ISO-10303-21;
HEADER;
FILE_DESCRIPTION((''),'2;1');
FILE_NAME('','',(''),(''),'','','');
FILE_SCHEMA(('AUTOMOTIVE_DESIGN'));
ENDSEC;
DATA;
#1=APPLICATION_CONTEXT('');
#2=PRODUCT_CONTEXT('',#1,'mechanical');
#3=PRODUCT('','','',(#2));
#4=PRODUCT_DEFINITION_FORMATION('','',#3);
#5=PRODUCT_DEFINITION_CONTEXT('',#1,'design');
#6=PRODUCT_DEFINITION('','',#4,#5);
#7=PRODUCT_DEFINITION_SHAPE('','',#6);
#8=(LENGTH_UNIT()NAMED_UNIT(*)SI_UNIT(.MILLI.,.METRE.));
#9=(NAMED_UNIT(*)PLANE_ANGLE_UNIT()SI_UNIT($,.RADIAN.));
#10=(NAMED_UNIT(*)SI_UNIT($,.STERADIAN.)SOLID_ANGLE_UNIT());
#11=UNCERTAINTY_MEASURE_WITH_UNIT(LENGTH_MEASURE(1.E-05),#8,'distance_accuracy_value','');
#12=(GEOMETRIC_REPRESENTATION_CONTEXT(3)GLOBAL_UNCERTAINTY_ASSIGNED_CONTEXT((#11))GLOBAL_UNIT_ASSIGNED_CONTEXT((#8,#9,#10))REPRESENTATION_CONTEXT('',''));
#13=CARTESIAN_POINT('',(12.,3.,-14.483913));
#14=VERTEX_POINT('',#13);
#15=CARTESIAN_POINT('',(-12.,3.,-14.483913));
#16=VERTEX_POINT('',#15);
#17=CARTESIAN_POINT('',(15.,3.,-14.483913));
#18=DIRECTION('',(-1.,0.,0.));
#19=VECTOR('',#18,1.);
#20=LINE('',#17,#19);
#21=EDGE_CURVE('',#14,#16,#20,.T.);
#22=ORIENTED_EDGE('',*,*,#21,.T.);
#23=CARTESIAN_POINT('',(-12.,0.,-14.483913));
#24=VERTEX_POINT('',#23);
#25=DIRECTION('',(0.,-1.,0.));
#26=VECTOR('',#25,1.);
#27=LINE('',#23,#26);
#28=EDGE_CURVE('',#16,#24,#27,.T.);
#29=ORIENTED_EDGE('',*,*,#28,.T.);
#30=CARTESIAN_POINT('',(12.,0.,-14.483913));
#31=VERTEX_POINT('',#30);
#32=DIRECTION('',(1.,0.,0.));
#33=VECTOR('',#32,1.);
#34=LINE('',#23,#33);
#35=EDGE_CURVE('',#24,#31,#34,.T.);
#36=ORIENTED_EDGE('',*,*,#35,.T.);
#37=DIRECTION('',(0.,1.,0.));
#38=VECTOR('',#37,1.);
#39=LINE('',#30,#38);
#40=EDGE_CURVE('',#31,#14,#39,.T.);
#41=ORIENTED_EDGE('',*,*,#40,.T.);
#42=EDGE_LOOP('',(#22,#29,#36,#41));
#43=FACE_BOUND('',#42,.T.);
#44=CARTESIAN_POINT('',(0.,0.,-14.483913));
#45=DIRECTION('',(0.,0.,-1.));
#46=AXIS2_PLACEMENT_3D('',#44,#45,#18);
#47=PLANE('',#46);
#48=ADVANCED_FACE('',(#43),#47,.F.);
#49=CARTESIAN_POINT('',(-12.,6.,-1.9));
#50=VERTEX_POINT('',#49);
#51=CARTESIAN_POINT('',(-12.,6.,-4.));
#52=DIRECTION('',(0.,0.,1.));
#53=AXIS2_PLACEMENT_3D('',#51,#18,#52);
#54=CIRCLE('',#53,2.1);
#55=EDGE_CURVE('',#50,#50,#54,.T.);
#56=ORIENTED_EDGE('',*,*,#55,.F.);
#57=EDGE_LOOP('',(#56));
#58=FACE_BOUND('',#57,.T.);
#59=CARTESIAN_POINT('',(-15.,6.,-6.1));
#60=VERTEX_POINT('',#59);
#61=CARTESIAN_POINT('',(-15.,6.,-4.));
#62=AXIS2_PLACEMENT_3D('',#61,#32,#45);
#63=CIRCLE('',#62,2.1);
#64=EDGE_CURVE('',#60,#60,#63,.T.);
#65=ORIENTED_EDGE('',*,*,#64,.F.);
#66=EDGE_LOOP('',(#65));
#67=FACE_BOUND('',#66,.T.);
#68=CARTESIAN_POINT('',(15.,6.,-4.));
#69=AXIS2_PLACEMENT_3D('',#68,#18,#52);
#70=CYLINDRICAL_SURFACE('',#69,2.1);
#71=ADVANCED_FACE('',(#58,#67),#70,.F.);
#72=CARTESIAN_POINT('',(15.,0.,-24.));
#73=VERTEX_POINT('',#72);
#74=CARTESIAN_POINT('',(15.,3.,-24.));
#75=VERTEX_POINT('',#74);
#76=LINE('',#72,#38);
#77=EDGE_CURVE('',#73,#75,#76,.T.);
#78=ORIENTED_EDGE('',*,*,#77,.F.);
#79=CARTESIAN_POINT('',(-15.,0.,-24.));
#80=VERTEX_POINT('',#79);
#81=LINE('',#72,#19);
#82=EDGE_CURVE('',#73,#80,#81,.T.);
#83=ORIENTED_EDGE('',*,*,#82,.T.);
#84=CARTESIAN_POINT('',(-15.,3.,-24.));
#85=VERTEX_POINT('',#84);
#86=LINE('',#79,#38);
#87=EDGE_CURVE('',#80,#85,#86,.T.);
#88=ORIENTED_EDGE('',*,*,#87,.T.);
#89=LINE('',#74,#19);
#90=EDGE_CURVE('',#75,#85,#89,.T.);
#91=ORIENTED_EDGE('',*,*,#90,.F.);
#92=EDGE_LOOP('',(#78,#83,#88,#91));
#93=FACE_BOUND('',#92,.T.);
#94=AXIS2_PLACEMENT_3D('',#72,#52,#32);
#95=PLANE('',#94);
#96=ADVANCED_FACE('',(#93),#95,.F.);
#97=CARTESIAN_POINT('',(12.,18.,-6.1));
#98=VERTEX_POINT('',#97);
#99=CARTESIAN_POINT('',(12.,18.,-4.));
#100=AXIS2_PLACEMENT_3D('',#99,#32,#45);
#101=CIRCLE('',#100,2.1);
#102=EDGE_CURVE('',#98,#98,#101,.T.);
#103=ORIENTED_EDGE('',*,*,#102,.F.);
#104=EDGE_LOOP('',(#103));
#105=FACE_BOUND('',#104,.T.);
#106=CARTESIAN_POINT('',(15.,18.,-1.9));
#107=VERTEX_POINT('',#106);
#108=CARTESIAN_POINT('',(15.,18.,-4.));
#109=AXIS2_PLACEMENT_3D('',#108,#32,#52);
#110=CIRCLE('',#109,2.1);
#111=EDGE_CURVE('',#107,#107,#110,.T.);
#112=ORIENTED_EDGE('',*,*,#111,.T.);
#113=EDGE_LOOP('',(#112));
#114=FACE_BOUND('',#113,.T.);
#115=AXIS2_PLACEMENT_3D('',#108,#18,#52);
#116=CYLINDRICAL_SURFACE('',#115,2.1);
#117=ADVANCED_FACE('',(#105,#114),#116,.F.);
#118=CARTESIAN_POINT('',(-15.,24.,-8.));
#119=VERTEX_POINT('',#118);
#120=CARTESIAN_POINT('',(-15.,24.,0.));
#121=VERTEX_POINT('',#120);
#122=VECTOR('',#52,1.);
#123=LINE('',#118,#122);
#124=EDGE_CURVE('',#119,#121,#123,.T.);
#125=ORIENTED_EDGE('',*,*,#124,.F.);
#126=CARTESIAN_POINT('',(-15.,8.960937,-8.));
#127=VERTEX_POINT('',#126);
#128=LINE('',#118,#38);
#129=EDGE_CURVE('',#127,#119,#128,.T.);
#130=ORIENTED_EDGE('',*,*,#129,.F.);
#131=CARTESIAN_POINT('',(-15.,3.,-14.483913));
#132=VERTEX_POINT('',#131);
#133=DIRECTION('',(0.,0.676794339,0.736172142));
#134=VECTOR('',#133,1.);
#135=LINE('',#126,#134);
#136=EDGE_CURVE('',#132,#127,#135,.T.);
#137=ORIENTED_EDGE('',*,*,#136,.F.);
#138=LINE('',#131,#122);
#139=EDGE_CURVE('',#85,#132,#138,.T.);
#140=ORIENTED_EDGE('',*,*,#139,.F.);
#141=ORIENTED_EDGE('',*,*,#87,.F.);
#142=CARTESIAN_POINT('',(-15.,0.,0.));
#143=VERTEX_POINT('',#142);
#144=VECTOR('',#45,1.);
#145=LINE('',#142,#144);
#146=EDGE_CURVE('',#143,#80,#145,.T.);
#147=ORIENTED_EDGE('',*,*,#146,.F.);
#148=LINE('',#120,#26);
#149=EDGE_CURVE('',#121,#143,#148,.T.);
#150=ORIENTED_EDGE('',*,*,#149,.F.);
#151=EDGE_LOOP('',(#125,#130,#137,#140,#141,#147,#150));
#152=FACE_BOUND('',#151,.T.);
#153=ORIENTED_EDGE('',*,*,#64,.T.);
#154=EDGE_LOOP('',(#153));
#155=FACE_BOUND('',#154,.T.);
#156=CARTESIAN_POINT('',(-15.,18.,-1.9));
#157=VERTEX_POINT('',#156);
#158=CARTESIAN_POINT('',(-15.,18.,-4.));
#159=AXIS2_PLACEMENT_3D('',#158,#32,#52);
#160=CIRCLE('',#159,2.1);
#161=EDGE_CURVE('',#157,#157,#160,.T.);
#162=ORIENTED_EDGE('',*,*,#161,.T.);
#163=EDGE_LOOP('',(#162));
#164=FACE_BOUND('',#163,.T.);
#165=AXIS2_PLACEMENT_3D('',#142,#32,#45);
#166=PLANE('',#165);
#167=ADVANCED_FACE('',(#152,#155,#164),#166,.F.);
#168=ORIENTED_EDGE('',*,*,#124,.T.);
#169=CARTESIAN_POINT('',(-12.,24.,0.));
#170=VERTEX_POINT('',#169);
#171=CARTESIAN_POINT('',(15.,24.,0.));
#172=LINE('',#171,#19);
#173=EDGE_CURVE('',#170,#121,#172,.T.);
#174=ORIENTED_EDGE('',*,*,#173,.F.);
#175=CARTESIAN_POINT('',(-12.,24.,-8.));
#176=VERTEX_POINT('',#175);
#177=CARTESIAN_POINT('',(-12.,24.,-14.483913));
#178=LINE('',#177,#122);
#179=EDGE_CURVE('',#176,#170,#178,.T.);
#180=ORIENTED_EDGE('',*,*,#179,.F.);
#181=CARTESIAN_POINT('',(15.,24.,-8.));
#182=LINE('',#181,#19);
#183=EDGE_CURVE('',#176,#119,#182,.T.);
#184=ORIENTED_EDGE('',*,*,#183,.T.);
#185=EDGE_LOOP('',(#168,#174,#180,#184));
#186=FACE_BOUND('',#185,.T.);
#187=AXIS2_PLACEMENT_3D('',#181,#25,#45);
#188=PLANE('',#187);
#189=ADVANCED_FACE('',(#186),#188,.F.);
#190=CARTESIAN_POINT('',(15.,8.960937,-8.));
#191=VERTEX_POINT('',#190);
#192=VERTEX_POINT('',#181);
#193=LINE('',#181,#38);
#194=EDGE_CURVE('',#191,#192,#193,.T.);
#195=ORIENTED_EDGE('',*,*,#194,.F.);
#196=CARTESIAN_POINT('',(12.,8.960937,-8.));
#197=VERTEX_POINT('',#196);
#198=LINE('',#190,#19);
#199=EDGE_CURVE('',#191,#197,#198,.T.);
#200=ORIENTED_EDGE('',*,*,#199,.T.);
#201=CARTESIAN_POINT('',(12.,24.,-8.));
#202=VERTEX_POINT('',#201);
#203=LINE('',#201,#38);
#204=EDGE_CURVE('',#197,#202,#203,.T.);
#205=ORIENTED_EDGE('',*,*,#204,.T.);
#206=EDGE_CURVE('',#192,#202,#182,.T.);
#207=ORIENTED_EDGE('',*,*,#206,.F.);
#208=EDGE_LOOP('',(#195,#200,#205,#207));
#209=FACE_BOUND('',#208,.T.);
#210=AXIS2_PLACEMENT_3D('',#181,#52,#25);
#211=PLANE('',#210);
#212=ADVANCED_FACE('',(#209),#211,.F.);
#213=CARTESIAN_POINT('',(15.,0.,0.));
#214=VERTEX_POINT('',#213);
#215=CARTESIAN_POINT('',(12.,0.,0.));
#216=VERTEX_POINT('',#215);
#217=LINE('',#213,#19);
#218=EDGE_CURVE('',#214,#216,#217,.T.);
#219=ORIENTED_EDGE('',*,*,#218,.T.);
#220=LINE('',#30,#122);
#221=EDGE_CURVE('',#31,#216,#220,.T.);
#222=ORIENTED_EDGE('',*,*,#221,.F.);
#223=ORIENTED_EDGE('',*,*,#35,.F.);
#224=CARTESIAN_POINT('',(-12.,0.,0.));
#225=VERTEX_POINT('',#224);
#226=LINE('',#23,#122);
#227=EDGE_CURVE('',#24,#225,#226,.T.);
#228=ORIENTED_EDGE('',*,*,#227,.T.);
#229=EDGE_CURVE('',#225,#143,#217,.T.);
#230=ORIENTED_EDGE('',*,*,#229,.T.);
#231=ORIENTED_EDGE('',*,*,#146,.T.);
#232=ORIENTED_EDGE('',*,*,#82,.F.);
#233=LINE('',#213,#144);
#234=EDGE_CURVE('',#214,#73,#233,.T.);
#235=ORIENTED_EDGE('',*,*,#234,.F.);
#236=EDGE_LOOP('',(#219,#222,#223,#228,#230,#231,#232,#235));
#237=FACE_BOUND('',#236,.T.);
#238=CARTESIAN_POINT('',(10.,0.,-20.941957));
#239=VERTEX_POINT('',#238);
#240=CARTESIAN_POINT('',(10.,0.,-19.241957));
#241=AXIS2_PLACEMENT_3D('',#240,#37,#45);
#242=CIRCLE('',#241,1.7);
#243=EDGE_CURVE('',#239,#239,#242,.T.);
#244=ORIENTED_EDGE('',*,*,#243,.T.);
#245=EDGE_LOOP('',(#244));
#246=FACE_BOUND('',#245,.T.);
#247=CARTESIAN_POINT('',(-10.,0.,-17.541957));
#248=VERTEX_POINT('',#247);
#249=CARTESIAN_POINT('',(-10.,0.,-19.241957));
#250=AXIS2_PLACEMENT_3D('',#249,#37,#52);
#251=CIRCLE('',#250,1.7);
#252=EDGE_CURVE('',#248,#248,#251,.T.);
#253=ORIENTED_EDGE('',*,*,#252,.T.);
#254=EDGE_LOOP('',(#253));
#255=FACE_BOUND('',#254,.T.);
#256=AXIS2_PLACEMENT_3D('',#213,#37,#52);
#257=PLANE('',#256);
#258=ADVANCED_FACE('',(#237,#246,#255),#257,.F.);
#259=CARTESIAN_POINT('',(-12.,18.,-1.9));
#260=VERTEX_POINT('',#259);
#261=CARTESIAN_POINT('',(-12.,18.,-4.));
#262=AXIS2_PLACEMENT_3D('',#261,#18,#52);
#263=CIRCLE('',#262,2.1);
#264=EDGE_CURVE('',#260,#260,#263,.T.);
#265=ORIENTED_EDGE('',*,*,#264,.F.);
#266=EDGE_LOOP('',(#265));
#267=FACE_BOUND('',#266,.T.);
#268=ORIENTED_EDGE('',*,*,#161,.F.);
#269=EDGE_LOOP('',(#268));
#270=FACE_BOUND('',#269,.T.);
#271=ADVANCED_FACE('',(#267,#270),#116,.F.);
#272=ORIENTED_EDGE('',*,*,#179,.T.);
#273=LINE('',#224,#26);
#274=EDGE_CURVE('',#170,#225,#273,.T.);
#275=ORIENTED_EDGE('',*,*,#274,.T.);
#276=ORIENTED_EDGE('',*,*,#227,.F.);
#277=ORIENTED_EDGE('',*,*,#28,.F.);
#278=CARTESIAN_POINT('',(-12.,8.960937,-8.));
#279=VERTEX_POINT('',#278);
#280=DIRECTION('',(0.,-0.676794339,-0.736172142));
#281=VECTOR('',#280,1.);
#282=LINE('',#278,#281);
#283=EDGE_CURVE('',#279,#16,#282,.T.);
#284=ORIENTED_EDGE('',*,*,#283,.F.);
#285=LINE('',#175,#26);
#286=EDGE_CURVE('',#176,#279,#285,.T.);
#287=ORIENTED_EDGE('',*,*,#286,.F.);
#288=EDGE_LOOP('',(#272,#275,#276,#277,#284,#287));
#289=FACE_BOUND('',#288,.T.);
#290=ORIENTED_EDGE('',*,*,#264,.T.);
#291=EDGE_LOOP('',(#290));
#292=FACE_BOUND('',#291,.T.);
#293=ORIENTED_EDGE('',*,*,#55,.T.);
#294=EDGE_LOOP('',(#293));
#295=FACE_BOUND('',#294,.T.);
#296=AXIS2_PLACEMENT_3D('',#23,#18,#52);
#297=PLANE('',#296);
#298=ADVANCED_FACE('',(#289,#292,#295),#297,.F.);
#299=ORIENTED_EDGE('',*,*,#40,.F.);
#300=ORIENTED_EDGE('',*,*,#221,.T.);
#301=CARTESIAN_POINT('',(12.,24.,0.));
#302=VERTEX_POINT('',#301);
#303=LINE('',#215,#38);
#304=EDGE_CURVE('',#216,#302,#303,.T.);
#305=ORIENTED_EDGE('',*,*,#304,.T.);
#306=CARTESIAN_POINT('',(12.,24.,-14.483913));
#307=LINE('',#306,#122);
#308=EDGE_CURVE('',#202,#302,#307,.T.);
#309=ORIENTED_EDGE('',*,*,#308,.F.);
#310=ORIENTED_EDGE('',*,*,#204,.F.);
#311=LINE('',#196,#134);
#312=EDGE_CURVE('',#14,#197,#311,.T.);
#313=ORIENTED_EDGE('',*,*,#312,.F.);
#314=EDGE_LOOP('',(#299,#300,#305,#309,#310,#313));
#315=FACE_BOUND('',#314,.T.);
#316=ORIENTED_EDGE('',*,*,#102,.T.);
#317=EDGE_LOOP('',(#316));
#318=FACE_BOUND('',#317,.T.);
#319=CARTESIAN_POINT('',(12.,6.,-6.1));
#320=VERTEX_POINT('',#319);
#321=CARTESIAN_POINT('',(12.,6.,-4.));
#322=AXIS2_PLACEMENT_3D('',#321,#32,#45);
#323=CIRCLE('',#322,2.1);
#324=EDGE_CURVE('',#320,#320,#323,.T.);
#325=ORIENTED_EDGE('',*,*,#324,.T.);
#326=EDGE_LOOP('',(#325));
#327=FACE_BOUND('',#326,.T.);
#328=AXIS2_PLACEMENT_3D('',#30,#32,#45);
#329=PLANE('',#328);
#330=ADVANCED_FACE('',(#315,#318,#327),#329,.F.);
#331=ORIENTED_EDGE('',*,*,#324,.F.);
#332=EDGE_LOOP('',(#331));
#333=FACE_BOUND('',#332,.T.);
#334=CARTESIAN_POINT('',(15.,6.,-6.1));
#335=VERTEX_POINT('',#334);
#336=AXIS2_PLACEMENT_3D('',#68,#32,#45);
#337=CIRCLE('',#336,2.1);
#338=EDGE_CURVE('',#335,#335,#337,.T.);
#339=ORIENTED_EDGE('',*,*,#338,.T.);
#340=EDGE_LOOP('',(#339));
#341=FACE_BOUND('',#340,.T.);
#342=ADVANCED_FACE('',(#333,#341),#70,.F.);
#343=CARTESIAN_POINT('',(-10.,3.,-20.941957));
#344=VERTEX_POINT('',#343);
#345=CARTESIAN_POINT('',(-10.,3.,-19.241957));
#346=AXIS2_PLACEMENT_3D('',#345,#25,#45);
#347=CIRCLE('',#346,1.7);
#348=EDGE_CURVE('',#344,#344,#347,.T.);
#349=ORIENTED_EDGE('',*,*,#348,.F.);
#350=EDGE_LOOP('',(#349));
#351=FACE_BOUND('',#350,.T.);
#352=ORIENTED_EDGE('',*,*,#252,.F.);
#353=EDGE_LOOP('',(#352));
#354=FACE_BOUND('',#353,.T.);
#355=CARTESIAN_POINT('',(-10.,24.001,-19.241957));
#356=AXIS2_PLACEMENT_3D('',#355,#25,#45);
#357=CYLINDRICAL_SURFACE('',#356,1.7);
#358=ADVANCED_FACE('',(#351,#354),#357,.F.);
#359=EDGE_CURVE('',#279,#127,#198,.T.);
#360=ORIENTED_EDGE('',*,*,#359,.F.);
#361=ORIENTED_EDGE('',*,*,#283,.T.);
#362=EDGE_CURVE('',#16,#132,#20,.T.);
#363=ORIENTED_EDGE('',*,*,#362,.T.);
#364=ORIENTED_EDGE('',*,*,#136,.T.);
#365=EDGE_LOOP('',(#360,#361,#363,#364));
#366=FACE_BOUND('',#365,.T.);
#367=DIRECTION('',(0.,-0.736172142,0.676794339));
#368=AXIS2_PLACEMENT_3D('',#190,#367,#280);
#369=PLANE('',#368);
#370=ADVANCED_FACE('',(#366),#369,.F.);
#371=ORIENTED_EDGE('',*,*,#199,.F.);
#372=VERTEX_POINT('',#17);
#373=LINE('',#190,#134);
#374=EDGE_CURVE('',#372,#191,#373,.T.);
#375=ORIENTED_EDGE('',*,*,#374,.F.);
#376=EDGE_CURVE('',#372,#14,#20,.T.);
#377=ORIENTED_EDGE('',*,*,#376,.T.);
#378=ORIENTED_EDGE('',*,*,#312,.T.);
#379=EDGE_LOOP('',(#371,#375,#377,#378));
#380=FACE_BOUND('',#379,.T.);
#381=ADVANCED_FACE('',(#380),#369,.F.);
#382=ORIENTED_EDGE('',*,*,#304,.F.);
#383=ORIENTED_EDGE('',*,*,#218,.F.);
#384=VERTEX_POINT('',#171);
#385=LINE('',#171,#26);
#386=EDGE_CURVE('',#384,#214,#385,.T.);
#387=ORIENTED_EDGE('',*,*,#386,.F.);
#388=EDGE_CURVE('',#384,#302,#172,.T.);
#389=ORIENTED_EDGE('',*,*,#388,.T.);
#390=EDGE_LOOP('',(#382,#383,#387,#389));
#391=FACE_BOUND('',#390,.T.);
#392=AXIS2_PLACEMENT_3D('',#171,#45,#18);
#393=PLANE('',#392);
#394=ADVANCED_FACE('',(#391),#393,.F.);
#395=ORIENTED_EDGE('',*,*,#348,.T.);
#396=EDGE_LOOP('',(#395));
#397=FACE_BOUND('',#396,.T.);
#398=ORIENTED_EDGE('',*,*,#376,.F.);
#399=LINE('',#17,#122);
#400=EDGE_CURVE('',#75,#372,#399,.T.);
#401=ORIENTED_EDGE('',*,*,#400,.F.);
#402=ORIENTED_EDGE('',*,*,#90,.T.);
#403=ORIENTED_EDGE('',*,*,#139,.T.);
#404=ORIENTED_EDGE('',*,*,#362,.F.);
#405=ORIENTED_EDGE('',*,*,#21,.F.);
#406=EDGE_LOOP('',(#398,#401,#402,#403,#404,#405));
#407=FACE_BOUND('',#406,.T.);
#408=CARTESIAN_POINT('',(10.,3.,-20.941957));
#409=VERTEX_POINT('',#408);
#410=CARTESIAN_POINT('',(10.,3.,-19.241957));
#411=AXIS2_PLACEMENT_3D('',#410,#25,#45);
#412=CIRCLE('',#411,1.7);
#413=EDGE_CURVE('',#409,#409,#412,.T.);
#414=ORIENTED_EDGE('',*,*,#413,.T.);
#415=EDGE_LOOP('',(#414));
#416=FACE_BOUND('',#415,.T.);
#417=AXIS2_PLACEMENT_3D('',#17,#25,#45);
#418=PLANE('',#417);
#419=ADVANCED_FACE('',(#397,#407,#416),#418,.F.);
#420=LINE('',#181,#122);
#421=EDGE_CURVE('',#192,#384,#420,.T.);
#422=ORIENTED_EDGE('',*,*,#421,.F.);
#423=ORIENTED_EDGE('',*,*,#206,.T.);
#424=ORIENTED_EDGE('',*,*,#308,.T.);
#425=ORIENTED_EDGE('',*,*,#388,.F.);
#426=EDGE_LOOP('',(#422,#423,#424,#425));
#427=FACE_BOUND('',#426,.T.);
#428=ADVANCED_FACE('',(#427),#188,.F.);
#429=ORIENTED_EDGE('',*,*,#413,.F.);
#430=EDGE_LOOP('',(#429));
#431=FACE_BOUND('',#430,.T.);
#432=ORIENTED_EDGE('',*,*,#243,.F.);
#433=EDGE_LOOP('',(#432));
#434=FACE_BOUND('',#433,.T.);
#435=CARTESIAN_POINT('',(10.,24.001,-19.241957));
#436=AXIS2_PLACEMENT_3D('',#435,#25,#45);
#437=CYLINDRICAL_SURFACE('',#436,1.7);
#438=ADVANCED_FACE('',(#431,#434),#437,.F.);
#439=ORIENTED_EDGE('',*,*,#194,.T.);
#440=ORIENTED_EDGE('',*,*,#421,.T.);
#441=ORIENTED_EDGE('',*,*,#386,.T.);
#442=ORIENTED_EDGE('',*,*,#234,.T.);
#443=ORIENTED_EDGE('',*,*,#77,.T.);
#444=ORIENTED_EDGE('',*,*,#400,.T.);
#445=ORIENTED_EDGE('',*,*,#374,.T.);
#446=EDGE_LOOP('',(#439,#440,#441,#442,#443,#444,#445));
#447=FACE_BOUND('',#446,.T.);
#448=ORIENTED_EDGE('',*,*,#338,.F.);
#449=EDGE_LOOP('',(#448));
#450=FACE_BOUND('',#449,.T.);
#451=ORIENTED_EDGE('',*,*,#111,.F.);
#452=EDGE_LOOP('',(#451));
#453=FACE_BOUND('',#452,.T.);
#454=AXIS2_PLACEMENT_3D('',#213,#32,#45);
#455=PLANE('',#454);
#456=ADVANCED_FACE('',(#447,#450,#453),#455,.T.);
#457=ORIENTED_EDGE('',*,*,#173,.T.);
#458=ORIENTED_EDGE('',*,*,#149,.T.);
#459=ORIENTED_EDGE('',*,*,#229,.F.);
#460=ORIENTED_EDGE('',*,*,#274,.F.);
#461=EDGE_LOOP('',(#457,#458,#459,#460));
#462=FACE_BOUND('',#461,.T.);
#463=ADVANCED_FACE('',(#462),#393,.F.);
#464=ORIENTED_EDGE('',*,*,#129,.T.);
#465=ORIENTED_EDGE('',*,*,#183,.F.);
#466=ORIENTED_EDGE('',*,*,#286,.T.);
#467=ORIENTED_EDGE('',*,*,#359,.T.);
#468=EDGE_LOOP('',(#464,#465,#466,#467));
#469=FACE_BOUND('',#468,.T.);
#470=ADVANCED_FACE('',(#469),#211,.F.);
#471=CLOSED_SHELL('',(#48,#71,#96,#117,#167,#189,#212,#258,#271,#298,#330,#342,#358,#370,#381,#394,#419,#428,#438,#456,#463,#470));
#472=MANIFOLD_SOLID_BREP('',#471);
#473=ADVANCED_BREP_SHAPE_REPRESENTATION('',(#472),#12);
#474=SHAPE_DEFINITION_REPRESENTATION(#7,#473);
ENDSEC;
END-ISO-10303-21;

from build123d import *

# Parameters (mm, degrees)
SKETCH1_R           = 2.1
BOSS_EXTRUDE1_DEPTH = 15
CUT_EXTRUDE3_START  = -14.483913
SKETCH2_W           = 24
SKETCH2_H           = 24
CUT_EXTRUDE3_DEPTH  = 14.483913
CUT_EXTRUDE4_REACH  = 26
SKETCH3_R           = 1.7


with BuildPart() as part:
    # Sketch1 → Boss-Extrude1 (new body, symmetric)
    with BuildSketch(Plane(origin=(0, 0, 0), x_dir=(0, 0, -1), z_dir=(1, 0, 0))):
        Polygon((0, 0), (24, 0), (24, 3), (14.483913001, 3), (8, 8.960936807), (8, 24), (0, 24), align=None)
        with Locations((4, 6)):
            Circle(SKETCH1_R, mode=Mode.SUBTRACT)
        with Locations((4, 18)):
            Circle(SKETCH1_R, mode=Mode.SUBTRACT)
    extrude(amount=BOSS_EXTRUDE1_DEPTH, both=True)

    # Sketch2 → Cut-Extrude3 (cut)
    with BuildSketch(Plane.XY.offset(CUT_EXTRUDE3_START)):
        with Locations((0, 12)):
            Rectangle(SKETCH2_W, SKETCH2_H)
    extrude(amount=CUT_EXTRUDE3_DEPTH, mode=Mode.SUBTRACT)

    # Sketch3 → Cut-Extrude4 (cut, up to next)
    with BuildSketch(Plane(origin=(0, 0, 0), x_dir=(1, 0, 0), z_dir=(0, 1, 0)), mode=Mode.PRIVATE) as cut_extrude4_sk1:
        with Locations((-10, 19.241956501)):
            Circle(SKETCH3_R)
    cut_extrude4_tool1 = extrude(cut_extrude4_sk1.sketch, amount=CUT_EXTRUDE4_REACH, mode=Mode.PRIVATE) & part.part
    add(cut_extrude4_tool1.solids().sort_by_distance((-10, 0, -19.241957))[0], mode=Mode.SUBTRACT)
    # Sketch3 → Cut-Extrude4 (cut, up to next)
    with BuildSketch(Plane(origin=(0, 0, 0), x_dir=(1, 0, 0), z_dir=(0, 1, 0)), mode=Mode.PRIVATE) as cut_extrude4_sk2:
        with Locations((10, 19.241956501)):
            Circle(SKETCH3_R)
    cut_extrude4_tool2 = extrude(cut_extrude4_sk2.sketch, amount=CUT_EXTRUDE4_REACH, mode=Mode.PRIVATE) & part.part
    add(cut_extrude4_tool2.solids().sort_by_distance((10, 0, -19.241957))[0], mode=Mode.SUBTRACT)


solid = part.part
